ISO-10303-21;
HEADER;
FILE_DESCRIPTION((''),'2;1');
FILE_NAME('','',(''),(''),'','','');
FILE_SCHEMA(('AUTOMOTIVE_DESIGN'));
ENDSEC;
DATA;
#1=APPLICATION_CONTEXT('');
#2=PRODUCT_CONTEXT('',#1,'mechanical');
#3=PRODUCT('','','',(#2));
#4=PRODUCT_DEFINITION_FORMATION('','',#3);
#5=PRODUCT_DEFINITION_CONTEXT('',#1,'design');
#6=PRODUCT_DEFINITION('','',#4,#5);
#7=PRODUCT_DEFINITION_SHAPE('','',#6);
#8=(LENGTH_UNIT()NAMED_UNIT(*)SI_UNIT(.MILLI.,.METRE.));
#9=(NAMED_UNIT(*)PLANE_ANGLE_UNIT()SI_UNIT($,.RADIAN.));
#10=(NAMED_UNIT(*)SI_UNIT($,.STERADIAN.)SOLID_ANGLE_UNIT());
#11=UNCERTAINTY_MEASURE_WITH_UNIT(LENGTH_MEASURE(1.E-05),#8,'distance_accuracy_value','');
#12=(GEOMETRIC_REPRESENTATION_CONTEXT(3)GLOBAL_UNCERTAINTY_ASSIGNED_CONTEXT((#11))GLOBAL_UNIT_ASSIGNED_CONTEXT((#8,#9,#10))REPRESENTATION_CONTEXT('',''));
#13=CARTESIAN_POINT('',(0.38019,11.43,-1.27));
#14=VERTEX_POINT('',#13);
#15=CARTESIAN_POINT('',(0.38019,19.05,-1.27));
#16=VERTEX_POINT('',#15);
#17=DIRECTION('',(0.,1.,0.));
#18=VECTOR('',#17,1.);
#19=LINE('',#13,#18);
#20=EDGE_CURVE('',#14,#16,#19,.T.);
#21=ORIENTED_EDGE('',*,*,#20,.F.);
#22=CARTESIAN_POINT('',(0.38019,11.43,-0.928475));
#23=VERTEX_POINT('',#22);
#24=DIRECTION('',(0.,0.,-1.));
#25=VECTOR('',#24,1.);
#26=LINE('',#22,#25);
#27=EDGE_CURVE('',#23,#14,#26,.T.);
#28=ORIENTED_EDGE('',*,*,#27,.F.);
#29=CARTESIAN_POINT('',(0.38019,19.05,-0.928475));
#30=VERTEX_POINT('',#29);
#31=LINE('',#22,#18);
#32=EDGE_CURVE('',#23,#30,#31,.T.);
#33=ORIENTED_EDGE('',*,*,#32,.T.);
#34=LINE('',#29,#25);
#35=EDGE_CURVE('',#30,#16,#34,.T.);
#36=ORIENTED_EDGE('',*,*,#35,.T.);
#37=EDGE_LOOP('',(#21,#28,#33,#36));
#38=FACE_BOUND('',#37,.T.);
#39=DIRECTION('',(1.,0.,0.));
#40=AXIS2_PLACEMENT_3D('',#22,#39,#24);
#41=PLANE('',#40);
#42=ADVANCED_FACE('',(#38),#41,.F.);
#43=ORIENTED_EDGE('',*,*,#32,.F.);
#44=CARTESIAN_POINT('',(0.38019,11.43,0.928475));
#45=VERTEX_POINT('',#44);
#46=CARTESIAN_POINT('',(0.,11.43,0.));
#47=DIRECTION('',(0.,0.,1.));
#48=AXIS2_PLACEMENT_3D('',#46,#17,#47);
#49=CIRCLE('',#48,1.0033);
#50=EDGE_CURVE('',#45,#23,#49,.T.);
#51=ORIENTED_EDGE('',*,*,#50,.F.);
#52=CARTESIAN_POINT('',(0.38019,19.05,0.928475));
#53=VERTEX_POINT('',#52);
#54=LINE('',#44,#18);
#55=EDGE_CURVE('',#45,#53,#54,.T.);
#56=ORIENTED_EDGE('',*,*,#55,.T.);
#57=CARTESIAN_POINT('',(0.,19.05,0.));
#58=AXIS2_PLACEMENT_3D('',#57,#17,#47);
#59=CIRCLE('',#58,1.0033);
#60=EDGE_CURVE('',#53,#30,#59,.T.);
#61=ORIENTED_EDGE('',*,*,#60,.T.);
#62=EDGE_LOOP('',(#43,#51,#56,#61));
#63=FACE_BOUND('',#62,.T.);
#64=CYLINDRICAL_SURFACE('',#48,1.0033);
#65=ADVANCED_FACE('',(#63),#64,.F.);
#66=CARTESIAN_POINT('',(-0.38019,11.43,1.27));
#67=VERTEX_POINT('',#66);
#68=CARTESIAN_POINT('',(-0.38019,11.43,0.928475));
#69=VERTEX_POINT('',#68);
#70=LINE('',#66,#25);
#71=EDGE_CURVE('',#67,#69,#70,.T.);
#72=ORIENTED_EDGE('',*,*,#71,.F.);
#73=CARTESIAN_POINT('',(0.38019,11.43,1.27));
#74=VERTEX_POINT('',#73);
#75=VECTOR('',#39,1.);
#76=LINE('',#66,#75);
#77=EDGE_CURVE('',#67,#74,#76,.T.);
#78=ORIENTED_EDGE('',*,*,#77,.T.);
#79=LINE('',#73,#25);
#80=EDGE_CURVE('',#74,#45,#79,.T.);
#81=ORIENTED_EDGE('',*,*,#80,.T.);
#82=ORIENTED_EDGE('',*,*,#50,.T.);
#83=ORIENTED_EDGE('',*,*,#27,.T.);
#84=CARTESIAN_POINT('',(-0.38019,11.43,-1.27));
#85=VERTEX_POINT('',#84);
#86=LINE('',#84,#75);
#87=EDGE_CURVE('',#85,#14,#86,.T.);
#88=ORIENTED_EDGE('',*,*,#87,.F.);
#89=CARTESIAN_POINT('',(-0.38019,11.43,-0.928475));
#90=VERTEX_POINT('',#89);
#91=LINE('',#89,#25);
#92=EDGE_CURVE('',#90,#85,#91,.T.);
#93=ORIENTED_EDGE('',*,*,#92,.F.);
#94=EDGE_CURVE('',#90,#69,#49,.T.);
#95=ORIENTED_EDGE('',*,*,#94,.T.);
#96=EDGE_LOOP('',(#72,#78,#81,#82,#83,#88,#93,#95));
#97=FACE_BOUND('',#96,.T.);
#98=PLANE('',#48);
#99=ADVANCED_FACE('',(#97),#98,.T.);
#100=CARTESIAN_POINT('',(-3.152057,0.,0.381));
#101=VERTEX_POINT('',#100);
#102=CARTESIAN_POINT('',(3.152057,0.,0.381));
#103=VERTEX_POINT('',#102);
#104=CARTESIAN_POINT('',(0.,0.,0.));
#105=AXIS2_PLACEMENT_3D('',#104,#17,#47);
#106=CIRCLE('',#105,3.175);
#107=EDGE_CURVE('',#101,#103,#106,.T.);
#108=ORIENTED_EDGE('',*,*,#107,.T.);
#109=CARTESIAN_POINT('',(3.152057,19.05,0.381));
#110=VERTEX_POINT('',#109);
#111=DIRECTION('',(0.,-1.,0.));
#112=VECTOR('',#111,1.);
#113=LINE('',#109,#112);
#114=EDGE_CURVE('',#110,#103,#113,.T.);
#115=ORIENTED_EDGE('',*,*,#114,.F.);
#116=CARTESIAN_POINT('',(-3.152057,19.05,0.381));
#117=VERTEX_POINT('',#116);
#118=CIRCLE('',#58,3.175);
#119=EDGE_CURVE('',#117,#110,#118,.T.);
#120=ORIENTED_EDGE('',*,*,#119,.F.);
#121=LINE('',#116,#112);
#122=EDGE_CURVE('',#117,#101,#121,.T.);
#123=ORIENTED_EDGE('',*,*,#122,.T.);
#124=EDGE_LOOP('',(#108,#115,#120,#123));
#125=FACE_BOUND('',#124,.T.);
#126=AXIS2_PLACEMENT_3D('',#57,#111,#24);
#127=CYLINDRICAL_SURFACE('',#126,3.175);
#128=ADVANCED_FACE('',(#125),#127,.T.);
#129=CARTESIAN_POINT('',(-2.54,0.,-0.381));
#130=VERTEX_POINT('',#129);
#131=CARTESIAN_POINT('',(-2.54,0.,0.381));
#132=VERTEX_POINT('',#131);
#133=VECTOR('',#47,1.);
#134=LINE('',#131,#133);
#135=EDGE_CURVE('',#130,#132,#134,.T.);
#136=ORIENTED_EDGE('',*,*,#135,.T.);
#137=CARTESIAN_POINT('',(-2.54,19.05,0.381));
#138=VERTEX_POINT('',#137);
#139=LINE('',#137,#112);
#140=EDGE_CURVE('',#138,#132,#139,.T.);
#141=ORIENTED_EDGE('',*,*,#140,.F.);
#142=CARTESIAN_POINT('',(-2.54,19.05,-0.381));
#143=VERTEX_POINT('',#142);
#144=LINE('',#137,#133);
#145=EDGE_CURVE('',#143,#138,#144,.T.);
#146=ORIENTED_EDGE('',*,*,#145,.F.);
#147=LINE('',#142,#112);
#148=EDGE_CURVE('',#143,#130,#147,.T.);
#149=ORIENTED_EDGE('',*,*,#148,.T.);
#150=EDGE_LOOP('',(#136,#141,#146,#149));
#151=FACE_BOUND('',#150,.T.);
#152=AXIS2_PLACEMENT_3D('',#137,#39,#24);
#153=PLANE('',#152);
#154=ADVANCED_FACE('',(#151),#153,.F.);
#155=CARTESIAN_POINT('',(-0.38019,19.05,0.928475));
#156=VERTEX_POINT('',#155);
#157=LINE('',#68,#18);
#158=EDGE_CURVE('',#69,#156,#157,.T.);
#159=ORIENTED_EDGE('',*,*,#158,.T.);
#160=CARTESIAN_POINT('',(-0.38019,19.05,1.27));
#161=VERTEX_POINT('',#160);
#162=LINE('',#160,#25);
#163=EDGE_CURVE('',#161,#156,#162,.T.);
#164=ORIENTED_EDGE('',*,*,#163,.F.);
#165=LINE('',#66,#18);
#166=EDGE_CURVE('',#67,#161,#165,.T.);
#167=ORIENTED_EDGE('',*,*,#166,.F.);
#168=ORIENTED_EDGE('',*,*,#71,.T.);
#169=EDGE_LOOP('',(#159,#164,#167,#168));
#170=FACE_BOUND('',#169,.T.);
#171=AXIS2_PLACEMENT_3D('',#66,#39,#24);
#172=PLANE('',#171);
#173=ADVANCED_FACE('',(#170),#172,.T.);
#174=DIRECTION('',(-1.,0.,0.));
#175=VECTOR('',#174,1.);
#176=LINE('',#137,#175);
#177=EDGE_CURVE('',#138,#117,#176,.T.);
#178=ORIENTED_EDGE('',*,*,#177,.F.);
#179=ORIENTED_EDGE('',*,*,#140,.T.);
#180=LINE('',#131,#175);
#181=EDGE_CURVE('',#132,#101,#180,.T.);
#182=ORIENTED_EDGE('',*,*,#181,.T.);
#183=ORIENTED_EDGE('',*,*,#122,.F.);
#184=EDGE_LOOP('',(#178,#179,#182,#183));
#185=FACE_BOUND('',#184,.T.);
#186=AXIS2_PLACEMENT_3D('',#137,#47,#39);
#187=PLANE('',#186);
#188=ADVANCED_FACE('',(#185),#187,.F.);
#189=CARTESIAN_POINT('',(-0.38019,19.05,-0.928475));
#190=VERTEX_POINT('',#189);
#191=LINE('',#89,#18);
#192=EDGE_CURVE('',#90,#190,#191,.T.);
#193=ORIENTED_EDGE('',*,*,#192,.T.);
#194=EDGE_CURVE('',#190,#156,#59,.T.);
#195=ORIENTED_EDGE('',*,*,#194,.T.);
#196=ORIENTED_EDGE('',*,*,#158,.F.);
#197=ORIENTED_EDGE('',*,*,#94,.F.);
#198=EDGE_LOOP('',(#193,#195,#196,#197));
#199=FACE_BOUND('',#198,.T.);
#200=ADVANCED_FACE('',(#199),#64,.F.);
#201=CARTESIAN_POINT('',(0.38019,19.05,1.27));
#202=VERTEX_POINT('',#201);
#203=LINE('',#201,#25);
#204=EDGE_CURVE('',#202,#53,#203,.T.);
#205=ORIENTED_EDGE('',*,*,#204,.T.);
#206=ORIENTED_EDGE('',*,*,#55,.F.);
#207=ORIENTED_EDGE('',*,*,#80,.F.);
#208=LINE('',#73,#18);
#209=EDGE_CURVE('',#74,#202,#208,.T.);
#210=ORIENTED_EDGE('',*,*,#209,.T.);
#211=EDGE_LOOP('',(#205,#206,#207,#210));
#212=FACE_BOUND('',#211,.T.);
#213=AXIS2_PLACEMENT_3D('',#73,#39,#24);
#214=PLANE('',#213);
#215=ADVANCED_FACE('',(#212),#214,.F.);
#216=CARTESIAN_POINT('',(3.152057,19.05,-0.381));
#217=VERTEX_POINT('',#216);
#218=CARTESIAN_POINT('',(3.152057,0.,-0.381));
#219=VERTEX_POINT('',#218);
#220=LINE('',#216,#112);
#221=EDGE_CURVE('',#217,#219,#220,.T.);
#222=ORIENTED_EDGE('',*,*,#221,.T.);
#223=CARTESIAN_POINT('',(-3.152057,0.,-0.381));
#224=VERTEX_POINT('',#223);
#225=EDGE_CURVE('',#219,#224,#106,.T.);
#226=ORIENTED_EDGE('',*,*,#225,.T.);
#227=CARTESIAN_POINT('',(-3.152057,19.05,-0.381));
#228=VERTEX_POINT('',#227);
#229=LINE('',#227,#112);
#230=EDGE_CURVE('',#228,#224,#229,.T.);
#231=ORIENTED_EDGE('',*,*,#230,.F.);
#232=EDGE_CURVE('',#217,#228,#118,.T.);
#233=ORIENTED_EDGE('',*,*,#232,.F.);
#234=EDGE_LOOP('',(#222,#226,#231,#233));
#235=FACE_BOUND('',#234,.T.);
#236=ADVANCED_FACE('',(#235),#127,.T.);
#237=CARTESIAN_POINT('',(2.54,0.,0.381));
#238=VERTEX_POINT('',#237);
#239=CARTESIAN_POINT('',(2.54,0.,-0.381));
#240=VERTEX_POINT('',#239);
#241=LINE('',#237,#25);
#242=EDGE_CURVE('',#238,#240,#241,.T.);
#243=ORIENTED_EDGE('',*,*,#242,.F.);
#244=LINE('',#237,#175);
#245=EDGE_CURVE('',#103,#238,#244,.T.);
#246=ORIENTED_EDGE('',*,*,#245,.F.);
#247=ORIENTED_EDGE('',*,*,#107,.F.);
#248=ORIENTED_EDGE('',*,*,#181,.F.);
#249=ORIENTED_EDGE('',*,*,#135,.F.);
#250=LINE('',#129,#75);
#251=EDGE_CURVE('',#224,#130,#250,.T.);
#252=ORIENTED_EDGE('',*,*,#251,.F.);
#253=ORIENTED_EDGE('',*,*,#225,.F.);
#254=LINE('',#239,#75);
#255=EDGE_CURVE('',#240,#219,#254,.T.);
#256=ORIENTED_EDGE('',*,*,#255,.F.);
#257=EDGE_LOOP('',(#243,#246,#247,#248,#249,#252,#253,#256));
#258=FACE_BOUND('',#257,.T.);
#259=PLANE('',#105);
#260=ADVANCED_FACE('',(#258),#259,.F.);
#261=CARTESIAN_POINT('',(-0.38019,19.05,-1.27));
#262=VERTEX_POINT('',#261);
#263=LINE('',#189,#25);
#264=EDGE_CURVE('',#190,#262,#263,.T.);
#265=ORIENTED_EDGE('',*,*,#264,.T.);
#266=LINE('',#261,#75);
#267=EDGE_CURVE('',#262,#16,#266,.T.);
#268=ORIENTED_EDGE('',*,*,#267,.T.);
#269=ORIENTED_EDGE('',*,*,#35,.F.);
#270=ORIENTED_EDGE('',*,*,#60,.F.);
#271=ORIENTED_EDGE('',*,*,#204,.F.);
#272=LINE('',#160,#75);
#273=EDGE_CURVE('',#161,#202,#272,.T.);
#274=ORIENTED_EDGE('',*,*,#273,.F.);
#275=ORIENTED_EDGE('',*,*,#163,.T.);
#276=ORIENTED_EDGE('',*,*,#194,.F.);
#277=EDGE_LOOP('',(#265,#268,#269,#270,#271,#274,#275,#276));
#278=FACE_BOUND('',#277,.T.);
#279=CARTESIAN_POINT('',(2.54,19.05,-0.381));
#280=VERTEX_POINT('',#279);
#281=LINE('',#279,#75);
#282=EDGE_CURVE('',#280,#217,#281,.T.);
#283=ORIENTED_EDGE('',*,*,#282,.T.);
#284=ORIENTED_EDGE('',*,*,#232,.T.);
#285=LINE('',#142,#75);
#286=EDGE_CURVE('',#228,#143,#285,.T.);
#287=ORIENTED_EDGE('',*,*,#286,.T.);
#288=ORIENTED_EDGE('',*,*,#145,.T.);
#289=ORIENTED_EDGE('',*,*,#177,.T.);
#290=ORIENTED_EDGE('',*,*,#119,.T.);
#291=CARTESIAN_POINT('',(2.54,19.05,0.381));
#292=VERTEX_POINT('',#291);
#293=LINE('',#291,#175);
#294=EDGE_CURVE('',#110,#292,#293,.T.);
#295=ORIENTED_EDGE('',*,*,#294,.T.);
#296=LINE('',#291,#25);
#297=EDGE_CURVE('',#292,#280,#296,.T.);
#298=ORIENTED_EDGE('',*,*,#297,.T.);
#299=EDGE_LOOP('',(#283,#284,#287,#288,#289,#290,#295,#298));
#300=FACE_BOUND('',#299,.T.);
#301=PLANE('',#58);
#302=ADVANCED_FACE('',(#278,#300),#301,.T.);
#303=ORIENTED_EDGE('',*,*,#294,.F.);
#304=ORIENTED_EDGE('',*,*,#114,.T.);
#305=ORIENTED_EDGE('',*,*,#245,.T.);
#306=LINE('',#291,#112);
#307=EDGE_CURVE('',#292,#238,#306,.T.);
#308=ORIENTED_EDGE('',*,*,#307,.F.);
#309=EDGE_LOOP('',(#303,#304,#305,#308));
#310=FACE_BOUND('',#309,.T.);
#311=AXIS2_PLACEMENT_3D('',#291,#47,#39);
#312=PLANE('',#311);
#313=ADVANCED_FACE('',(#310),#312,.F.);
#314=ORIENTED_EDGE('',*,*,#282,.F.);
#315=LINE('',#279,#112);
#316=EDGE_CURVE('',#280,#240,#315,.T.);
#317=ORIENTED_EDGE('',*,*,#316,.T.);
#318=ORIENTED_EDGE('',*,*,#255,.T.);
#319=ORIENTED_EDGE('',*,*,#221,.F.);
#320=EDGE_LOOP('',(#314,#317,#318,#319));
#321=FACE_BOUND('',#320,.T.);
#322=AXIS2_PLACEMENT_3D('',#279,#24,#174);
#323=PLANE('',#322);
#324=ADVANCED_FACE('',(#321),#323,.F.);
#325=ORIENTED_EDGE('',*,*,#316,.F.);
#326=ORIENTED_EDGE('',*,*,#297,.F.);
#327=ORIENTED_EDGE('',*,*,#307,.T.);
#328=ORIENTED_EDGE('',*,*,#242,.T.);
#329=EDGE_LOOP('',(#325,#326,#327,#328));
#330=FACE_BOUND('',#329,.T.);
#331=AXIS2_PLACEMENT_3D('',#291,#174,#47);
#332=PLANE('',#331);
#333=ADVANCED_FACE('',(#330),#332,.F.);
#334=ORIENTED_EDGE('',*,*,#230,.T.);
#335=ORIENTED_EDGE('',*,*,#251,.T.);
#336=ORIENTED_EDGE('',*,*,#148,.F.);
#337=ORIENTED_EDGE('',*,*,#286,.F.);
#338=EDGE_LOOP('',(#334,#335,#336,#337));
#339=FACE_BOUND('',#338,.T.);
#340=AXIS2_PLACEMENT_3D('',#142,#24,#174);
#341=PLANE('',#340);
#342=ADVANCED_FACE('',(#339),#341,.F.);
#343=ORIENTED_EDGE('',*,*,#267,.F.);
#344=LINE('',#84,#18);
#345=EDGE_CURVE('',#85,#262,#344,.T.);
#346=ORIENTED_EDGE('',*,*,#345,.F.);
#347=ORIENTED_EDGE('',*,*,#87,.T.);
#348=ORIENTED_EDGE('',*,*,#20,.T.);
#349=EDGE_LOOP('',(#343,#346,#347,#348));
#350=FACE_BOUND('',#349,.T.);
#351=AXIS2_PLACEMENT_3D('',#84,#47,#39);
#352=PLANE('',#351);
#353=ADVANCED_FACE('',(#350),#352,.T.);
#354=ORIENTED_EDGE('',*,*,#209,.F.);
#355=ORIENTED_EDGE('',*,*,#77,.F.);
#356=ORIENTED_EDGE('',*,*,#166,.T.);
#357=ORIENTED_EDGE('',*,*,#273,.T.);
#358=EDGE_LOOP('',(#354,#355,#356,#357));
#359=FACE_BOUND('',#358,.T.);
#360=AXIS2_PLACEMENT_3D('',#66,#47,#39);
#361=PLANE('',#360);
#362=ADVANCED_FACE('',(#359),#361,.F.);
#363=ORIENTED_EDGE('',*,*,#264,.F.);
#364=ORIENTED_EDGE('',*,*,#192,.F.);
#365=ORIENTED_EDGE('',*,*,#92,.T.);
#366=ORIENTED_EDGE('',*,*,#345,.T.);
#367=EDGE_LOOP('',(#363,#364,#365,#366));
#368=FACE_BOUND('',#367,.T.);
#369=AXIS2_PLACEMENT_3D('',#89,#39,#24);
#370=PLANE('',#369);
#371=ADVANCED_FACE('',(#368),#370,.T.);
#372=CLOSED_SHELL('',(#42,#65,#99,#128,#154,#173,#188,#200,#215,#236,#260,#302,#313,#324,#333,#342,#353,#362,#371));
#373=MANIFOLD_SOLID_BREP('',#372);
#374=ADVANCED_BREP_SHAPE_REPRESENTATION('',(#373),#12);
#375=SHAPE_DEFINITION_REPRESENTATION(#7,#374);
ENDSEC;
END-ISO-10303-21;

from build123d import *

# Parameters (mm, degrees)
BOSS_EXTRUDE1_DEPTH = 19.05
CUT_EXTRUDE1_DEPTH  = 7.62


with BuildPart() as part:
    # Sketch1 → Boss-Extrude1 (new body)
    with BuildSketch(Plane(origin=(0, 0, 0), x_dir=(1, 0, 0), z_dir=(0, 1, 0))):
        with BuildLine():
            Line((2.54, -0.381), (3.152057106, -0.381))
            ThreePointArc((3.152057106, -0.381), (0, -3.175), (-3.152057106, -0.381))
            Line((-3.152057106, -0.381), (-2.54, -0.381))
            Line((-2.54, -0.381), (-2.54, 0.381))
            Line((-2.54, 0.381), (-3.152057106, 0.381))
            ThreePointArc((-3.152057106, 0.381), (0, 3.175), (3.152057106, 0.381))
            Line((3.152057106, 0.381), (2.54, 0.381))
            Line((2.54, 0.381), (2.54, -0.381))
        make_face()
    extrude(amount=BOSS_EXTRUDE1_DEPTH)

    # Sketch2 → Cut-Extrude1 (cut)
    with BuildSketch(Plane(origin=(0, 19.05, 0), x_dir=(1, 0, 0), z_dir=(0, 1, 0))):
        with BuildLine():
            Line((-0.380189943, 0.928475362), (-0.380189943, 1.27))
            Line((-0.380189943, 1.27), (0.380189943, 1.27))
            Line((0.380189943, 1.27), (0.380189943, 0.928475362))
            ThreePointArc((0.380189943, 0.928475362), (1.0033, 0), (0.380189943, -0.928475362))
            Line((0.380189943, -0.928475362), (0.380189943, -1.27))
            Line((0.380189943, -1.27), (-0.380189943, -1.27))
            Line((-0.380189943, -1.27), (-0.380189943, -0.928475362))
            ThreePointArc((-0.380189943, -0.928475362), (-1.0033, 0), (-0.380189943, 0.928475362))
        make_face()
    extrude(amount=-CUT_EXTRUDE1_DEPTH, mode=Mode.SUBTRACT)


solid = part.part
